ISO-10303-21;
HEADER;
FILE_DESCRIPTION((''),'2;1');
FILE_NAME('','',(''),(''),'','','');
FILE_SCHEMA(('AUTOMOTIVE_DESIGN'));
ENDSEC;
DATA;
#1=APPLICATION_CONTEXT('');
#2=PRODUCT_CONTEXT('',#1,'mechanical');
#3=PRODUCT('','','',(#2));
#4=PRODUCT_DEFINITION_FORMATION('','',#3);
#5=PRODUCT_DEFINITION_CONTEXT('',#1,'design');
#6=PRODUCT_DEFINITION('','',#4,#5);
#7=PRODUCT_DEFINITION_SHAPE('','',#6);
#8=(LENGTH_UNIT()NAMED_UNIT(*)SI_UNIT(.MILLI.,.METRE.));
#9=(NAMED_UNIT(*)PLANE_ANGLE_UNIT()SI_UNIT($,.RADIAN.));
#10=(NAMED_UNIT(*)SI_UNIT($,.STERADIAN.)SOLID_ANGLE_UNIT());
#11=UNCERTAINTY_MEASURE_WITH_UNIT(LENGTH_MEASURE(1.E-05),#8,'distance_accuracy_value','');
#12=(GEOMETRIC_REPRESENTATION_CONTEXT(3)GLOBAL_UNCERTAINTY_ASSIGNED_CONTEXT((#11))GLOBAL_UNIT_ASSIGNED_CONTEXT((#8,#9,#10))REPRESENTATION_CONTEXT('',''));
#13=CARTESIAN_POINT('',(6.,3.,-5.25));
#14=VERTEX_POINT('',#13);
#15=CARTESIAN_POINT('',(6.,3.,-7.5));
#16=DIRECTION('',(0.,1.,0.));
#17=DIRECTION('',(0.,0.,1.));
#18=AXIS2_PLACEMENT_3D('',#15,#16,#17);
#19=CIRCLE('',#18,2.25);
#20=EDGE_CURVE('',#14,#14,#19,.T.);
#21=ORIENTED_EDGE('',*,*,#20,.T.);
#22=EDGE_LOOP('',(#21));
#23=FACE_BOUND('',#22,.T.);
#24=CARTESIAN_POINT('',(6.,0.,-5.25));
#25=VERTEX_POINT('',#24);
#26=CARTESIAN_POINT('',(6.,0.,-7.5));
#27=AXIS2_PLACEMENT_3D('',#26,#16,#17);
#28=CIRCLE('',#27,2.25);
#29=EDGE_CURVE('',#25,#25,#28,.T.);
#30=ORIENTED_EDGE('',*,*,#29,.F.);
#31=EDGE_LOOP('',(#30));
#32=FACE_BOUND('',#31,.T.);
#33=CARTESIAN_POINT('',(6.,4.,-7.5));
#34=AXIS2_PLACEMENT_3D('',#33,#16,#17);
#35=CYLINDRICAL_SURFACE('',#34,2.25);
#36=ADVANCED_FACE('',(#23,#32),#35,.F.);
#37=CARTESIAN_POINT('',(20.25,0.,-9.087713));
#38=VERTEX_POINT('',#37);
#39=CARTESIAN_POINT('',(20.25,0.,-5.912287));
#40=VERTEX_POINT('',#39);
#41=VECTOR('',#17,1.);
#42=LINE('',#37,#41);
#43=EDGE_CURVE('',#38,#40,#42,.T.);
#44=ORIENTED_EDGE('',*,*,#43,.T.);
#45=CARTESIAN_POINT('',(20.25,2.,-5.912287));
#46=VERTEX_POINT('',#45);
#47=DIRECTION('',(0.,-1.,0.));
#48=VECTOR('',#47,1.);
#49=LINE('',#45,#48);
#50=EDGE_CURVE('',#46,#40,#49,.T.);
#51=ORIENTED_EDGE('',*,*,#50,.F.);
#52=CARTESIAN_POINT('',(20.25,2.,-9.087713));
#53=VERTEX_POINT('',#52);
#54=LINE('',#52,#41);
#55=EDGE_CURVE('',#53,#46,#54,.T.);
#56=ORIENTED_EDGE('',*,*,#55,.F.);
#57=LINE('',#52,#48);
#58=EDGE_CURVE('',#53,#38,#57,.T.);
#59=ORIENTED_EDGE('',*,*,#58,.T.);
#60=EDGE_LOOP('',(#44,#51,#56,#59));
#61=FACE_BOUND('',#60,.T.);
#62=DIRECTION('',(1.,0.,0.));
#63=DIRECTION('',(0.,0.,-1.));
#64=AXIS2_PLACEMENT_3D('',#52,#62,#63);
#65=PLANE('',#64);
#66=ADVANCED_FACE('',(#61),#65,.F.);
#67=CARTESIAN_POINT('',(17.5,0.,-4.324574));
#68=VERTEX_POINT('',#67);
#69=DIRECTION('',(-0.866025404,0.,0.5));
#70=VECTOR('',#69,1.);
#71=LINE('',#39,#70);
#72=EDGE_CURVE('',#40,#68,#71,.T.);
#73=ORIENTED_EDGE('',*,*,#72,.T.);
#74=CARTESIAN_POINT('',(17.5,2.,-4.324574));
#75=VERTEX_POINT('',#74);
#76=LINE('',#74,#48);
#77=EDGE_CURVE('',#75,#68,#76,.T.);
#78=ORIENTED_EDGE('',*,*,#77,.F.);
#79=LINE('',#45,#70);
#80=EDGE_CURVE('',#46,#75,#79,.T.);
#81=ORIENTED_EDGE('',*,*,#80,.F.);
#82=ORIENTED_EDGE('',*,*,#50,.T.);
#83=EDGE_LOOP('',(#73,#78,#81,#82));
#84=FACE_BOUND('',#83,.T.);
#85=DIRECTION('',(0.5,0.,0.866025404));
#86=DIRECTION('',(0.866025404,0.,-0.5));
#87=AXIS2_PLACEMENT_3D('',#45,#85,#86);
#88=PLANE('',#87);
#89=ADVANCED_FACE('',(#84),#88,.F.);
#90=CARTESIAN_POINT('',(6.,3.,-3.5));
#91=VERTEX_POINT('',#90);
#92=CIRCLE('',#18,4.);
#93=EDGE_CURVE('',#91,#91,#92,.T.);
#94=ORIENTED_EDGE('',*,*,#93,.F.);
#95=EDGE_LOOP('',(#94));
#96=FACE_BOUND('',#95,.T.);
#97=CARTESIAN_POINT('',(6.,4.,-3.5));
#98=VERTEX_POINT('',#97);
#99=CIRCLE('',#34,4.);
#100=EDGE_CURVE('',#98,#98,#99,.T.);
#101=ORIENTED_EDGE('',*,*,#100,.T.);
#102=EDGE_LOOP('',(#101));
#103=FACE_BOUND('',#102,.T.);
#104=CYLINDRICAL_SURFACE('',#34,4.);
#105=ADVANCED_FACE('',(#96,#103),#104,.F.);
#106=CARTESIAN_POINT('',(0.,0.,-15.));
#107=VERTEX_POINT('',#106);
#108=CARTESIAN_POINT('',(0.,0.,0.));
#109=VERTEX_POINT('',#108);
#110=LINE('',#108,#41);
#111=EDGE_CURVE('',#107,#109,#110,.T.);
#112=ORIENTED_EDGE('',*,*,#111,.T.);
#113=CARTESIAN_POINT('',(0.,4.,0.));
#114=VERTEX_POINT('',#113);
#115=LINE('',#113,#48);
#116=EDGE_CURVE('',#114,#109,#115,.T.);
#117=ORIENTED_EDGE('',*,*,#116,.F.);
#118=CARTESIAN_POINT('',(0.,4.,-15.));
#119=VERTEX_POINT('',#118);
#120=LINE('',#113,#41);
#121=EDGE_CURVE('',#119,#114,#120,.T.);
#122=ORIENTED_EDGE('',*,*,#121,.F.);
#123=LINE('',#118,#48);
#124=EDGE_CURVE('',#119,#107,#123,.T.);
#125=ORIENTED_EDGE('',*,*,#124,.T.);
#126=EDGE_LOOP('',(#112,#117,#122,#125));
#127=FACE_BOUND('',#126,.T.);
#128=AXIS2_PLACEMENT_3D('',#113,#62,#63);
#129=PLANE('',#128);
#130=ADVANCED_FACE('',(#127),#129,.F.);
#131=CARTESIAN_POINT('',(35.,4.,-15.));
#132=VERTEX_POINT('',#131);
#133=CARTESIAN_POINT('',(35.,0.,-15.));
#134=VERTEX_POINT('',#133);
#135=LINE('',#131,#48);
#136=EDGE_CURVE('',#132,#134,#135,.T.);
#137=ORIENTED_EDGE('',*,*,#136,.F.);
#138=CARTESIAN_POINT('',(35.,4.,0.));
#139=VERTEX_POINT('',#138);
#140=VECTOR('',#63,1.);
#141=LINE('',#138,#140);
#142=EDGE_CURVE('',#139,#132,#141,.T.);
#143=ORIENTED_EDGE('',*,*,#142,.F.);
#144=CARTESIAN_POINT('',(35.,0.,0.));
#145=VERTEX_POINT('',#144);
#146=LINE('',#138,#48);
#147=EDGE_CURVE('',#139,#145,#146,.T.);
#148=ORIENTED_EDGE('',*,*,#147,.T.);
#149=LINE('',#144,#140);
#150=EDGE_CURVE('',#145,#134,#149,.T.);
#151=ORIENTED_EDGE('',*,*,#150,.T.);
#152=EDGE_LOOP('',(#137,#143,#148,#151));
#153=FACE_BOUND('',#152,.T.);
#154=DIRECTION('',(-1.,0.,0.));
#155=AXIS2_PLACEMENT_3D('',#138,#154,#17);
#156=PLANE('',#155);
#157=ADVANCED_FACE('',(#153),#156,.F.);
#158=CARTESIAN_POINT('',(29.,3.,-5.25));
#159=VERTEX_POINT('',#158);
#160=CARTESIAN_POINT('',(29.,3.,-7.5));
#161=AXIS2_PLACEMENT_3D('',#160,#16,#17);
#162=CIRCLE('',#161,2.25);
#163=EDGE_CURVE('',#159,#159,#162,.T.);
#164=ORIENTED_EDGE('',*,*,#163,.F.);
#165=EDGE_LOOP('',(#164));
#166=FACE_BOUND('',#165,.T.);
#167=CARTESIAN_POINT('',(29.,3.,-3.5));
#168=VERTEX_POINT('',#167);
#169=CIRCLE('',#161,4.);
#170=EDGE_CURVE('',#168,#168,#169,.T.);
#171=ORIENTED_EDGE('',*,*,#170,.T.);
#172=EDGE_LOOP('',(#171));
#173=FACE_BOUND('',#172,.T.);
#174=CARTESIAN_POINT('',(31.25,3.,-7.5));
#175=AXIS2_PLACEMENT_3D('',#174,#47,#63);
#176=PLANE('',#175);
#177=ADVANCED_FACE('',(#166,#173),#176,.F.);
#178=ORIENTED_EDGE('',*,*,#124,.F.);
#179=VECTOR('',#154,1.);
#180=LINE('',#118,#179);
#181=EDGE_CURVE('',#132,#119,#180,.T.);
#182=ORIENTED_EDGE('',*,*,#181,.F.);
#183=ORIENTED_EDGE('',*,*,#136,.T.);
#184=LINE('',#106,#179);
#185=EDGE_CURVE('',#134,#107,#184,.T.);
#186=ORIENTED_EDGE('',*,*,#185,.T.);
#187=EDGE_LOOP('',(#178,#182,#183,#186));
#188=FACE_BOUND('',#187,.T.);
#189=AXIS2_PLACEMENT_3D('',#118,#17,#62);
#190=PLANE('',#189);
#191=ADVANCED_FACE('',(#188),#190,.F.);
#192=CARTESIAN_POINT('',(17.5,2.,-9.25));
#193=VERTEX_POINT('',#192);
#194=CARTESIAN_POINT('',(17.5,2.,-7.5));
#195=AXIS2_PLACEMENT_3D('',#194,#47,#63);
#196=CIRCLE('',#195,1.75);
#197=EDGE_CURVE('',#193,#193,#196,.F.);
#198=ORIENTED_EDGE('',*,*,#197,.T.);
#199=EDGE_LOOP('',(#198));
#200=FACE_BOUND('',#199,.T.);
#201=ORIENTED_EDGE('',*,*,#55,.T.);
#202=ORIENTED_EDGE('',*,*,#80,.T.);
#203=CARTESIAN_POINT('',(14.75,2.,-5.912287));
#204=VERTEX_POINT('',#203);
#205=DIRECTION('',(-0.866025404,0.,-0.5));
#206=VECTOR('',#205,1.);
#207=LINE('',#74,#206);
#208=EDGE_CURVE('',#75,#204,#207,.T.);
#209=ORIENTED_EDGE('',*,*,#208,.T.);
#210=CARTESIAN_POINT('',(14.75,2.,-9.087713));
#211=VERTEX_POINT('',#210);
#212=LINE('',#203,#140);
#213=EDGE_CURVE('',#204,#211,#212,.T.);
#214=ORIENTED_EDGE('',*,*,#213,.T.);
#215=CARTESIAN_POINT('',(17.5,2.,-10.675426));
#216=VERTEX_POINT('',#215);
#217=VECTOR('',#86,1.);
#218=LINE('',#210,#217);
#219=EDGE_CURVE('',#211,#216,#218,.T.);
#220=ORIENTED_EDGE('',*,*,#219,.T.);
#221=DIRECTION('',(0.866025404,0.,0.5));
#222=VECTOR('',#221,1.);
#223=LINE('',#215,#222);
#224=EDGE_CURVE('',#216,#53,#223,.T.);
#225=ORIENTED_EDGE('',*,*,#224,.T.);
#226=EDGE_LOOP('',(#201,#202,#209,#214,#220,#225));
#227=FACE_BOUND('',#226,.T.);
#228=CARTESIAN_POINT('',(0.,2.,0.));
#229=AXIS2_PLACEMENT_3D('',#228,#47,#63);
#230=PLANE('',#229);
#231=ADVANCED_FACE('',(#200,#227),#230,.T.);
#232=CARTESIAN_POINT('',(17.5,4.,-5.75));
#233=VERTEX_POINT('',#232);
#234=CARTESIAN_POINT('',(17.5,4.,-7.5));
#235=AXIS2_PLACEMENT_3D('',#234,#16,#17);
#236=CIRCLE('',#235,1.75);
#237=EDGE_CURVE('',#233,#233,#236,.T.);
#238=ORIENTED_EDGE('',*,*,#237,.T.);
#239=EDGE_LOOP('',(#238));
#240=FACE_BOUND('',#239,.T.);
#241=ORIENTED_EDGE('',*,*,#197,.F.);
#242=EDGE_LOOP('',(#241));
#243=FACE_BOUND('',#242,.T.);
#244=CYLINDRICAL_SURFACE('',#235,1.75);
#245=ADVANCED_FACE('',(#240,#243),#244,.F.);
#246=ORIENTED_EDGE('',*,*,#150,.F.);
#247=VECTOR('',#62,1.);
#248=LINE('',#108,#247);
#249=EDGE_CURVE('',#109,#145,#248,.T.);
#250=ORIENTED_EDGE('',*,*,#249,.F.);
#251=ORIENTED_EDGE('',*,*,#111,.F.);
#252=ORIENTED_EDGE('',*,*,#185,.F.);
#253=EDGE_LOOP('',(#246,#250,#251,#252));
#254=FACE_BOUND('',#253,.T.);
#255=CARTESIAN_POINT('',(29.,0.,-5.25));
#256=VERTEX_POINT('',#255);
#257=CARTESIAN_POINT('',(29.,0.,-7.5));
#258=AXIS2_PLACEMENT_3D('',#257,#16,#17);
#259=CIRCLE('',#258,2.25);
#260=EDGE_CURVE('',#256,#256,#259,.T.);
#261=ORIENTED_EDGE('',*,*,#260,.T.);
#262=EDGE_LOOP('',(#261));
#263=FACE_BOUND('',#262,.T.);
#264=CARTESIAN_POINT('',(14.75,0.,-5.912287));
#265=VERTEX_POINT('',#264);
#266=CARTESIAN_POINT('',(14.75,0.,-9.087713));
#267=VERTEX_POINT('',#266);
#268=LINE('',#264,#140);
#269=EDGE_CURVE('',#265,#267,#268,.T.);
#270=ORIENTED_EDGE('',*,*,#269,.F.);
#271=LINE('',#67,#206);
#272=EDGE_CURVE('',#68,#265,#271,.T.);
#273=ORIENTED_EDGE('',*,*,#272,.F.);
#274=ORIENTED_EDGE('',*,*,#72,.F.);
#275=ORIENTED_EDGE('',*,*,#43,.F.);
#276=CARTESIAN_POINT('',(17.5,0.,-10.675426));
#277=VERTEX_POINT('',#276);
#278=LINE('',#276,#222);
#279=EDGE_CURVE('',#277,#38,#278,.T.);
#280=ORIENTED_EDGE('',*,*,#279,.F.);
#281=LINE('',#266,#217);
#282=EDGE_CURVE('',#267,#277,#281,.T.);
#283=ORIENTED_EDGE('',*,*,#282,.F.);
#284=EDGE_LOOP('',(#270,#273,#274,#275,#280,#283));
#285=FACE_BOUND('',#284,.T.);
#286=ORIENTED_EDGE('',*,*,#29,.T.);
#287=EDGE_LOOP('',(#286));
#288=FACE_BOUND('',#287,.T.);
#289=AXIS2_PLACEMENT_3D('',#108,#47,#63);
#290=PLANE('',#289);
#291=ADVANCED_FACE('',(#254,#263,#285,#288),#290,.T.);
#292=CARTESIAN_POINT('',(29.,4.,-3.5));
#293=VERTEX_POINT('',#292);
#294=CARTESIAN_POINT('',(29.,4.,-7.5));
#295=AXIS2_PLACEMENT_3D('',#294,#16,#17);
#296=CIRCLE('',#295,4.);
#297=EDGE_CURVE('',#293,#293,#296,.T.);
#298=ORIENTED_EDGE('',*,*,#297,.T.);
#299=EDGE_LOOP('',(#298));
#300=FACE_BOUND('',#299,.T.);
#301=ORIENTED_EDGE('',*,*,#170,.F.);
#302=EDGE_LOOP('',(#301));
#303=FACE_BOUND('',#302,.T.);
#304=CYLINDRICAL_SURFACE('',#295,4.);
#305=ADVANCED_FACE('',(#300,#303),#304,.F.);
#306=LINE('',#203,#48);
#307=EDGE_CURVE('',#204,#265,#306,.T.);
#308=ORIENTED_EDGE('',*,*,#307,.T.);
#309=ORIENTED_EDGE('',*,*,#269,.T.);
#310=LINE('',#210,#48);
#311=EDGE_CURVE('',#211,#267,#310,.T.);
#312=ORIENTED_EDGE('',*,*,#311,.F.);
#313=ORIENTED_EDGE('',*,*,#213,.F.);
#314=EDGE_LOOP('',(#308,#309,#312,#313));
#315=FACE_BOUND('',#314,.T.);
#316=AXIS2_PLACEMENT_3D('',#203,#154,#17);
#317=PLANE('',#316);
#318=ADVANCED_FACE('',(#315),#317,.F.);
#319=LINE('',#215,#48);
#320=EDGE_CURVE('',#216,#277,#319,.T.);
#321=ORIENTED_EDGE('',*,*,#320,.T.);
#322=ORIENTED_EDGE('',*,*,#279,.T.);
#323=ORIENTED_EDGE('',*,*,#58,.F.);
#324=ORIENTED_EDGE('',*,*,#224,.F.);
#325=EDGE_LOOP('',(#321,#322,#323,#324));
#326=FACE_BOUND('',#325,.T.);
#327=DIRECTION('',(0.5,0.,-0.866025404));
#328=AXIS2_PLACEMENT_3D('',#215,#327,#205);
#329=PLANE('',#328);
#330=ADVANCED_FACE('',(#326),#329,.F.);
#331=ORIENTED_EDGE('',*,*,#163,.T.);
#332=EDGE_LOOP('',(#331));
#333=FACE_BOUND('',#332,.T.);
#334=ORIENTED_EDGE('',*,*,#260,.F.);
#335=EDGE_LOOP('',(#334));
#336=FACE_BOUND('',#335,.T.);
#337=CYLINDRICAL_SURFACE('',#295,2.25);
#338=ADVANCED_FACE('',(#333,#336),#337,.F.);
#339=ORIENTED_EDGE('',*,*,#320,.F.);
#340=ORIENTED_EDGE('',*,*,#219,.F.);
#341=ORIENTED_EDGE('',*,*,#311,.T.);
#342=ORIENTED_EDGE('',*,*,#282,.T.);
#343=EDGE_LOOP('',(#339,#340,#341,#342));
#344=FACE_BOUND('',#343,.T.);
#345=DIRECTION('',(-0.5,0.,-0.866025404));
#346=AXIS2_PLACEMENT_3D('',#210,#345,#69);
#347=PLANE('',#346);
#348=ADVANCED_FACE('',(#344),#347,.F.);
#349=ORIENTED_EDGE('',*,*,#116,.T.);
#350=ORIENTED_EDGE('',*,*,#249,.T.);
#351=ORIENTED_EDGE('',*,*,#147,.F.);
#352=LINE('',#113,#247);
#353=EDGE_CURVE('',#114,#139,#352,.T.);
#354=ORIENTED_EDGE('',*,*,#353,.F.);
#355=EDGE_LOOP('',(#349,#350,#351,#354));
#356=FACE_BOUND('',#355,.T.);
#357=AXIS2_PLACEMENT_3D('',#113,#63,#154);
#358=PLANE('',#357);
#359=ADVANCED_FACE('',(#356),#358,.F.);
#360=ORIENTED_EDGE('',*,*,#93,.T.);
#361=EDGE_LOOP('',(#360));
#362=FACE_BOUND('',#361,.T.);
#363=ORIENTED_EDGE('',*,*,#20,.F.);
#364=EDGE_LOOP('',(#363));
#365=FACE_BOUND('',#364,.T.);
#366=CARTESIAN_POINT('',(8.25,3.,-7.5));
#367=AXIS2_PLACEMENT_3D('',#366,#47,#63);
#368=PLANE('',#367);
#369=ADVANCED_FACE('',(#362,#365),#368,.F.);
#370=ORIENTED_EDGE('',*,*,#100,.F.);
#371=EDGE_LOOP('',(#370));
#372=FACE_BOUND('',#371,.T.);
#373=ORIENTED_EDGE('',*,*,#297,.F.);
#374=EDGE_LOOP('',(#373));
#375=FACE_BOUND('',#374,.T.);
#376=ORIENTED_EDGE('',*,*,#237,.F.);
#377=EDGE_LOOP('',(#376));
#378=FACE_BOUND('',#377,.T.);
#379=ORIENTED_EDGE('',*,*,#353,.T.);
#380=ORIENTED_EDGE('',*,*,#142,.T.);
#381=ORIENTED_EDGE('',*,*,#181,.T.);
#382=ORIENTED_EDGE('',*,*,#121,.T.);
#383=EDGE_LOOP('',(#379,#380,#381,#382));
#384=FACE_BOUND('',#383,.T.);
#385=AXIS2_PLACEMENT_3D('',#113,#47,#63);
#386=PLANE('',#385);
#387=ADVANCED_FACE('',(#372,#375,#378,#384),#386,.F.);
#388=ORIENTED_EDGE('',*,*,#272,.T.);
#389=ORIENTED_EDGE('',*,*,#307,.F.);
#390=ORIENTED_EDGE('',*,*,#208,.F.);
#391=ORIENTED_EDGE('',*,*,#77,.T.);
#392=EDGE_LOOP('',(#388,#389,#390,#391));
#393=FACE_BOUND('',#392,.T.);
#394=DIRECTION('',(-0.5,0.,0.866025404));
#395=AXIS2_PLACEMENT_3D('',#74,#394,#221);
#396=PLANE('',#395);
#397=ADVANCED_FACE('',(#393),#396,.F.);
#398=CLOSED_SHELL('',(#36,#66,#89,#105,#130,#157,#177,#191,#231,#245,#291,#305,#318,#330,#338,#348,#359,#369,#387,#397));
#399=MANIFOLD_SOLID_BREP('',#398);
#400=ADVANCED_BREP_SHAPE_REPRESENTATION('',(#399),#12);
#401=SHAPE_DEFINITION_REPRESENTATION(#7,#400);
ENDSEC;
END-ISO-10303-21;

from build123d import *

# Parameters (mm, degrees)
SKETCH_1_W                = 35
SKETCH_1_H                = 15
EXTRUDE_1_DEPTH           = 4
HOLE_WIZARD_3_5_3_5_1_D   = 3.5
HOLE_WIZARD_1_D           = 4.5
HOLE_WIZARD_1_CBORE_D     = 8
HOLE_WIZARD_1_CBORE_DEPTH = 1
CUT_EXTRUDE_1_DEPTH       = 2


with BuildPart() as part:
    # 草圖1 → 填料-伸長1 (new body)
    with BuildSketch(Plane(origin=(0, 0, 0), x_dir=(1, 0, 0), z_dir=(0, 1, 0))):
        with Locations((17.5, 7.5)):
            Rectangle(SKETCH_1_W, SKETCH_1_H)
    extrude(amount=EXTRUDE_1_DEPTH)

    # Ø3.5 (3.5) 直徑孔1 (through all)
    with Locations(Plane(origin=(0, 4, 0), x_dir=(1, 0, 0), z_dir=(0, 1, 0))):
        with Locations((17.5, 7.5)):
            Hole(HOLE_WIZARD_3_5_3_5_1_D / 2)

    # 鑽孔1 (through all)
    with Locations(Plane(origin=(0, 4, 0), x_dir=(1, 0, 0), z_dir=(0, 1, 0))):
        with Locations((6, 7.5), (29, 7.5)):
            CounterBoreHole(HOLE_WIZARD_1_D / 2, HOLE_WIZARD_1_CBORE_D / 2, HOLE_WIZARD_1_CBORE_DEPTH)

    # 草圖8 → 除料-伸長1 (cut)
    with BuildSketch(Plane.XZ):
        Polygon((17.5, -10.675426481), (20.25, -9.08771324), (20.25, -5.91228676), (17.5, -4.324573519), (14.75, -5.91228676), (14.75, -9.08771324), align=None)
    extrude(amount=-CUT_EXTRUDE_1_DEPTH, mode=Mode.SUBTRACT)


solid = part.part
